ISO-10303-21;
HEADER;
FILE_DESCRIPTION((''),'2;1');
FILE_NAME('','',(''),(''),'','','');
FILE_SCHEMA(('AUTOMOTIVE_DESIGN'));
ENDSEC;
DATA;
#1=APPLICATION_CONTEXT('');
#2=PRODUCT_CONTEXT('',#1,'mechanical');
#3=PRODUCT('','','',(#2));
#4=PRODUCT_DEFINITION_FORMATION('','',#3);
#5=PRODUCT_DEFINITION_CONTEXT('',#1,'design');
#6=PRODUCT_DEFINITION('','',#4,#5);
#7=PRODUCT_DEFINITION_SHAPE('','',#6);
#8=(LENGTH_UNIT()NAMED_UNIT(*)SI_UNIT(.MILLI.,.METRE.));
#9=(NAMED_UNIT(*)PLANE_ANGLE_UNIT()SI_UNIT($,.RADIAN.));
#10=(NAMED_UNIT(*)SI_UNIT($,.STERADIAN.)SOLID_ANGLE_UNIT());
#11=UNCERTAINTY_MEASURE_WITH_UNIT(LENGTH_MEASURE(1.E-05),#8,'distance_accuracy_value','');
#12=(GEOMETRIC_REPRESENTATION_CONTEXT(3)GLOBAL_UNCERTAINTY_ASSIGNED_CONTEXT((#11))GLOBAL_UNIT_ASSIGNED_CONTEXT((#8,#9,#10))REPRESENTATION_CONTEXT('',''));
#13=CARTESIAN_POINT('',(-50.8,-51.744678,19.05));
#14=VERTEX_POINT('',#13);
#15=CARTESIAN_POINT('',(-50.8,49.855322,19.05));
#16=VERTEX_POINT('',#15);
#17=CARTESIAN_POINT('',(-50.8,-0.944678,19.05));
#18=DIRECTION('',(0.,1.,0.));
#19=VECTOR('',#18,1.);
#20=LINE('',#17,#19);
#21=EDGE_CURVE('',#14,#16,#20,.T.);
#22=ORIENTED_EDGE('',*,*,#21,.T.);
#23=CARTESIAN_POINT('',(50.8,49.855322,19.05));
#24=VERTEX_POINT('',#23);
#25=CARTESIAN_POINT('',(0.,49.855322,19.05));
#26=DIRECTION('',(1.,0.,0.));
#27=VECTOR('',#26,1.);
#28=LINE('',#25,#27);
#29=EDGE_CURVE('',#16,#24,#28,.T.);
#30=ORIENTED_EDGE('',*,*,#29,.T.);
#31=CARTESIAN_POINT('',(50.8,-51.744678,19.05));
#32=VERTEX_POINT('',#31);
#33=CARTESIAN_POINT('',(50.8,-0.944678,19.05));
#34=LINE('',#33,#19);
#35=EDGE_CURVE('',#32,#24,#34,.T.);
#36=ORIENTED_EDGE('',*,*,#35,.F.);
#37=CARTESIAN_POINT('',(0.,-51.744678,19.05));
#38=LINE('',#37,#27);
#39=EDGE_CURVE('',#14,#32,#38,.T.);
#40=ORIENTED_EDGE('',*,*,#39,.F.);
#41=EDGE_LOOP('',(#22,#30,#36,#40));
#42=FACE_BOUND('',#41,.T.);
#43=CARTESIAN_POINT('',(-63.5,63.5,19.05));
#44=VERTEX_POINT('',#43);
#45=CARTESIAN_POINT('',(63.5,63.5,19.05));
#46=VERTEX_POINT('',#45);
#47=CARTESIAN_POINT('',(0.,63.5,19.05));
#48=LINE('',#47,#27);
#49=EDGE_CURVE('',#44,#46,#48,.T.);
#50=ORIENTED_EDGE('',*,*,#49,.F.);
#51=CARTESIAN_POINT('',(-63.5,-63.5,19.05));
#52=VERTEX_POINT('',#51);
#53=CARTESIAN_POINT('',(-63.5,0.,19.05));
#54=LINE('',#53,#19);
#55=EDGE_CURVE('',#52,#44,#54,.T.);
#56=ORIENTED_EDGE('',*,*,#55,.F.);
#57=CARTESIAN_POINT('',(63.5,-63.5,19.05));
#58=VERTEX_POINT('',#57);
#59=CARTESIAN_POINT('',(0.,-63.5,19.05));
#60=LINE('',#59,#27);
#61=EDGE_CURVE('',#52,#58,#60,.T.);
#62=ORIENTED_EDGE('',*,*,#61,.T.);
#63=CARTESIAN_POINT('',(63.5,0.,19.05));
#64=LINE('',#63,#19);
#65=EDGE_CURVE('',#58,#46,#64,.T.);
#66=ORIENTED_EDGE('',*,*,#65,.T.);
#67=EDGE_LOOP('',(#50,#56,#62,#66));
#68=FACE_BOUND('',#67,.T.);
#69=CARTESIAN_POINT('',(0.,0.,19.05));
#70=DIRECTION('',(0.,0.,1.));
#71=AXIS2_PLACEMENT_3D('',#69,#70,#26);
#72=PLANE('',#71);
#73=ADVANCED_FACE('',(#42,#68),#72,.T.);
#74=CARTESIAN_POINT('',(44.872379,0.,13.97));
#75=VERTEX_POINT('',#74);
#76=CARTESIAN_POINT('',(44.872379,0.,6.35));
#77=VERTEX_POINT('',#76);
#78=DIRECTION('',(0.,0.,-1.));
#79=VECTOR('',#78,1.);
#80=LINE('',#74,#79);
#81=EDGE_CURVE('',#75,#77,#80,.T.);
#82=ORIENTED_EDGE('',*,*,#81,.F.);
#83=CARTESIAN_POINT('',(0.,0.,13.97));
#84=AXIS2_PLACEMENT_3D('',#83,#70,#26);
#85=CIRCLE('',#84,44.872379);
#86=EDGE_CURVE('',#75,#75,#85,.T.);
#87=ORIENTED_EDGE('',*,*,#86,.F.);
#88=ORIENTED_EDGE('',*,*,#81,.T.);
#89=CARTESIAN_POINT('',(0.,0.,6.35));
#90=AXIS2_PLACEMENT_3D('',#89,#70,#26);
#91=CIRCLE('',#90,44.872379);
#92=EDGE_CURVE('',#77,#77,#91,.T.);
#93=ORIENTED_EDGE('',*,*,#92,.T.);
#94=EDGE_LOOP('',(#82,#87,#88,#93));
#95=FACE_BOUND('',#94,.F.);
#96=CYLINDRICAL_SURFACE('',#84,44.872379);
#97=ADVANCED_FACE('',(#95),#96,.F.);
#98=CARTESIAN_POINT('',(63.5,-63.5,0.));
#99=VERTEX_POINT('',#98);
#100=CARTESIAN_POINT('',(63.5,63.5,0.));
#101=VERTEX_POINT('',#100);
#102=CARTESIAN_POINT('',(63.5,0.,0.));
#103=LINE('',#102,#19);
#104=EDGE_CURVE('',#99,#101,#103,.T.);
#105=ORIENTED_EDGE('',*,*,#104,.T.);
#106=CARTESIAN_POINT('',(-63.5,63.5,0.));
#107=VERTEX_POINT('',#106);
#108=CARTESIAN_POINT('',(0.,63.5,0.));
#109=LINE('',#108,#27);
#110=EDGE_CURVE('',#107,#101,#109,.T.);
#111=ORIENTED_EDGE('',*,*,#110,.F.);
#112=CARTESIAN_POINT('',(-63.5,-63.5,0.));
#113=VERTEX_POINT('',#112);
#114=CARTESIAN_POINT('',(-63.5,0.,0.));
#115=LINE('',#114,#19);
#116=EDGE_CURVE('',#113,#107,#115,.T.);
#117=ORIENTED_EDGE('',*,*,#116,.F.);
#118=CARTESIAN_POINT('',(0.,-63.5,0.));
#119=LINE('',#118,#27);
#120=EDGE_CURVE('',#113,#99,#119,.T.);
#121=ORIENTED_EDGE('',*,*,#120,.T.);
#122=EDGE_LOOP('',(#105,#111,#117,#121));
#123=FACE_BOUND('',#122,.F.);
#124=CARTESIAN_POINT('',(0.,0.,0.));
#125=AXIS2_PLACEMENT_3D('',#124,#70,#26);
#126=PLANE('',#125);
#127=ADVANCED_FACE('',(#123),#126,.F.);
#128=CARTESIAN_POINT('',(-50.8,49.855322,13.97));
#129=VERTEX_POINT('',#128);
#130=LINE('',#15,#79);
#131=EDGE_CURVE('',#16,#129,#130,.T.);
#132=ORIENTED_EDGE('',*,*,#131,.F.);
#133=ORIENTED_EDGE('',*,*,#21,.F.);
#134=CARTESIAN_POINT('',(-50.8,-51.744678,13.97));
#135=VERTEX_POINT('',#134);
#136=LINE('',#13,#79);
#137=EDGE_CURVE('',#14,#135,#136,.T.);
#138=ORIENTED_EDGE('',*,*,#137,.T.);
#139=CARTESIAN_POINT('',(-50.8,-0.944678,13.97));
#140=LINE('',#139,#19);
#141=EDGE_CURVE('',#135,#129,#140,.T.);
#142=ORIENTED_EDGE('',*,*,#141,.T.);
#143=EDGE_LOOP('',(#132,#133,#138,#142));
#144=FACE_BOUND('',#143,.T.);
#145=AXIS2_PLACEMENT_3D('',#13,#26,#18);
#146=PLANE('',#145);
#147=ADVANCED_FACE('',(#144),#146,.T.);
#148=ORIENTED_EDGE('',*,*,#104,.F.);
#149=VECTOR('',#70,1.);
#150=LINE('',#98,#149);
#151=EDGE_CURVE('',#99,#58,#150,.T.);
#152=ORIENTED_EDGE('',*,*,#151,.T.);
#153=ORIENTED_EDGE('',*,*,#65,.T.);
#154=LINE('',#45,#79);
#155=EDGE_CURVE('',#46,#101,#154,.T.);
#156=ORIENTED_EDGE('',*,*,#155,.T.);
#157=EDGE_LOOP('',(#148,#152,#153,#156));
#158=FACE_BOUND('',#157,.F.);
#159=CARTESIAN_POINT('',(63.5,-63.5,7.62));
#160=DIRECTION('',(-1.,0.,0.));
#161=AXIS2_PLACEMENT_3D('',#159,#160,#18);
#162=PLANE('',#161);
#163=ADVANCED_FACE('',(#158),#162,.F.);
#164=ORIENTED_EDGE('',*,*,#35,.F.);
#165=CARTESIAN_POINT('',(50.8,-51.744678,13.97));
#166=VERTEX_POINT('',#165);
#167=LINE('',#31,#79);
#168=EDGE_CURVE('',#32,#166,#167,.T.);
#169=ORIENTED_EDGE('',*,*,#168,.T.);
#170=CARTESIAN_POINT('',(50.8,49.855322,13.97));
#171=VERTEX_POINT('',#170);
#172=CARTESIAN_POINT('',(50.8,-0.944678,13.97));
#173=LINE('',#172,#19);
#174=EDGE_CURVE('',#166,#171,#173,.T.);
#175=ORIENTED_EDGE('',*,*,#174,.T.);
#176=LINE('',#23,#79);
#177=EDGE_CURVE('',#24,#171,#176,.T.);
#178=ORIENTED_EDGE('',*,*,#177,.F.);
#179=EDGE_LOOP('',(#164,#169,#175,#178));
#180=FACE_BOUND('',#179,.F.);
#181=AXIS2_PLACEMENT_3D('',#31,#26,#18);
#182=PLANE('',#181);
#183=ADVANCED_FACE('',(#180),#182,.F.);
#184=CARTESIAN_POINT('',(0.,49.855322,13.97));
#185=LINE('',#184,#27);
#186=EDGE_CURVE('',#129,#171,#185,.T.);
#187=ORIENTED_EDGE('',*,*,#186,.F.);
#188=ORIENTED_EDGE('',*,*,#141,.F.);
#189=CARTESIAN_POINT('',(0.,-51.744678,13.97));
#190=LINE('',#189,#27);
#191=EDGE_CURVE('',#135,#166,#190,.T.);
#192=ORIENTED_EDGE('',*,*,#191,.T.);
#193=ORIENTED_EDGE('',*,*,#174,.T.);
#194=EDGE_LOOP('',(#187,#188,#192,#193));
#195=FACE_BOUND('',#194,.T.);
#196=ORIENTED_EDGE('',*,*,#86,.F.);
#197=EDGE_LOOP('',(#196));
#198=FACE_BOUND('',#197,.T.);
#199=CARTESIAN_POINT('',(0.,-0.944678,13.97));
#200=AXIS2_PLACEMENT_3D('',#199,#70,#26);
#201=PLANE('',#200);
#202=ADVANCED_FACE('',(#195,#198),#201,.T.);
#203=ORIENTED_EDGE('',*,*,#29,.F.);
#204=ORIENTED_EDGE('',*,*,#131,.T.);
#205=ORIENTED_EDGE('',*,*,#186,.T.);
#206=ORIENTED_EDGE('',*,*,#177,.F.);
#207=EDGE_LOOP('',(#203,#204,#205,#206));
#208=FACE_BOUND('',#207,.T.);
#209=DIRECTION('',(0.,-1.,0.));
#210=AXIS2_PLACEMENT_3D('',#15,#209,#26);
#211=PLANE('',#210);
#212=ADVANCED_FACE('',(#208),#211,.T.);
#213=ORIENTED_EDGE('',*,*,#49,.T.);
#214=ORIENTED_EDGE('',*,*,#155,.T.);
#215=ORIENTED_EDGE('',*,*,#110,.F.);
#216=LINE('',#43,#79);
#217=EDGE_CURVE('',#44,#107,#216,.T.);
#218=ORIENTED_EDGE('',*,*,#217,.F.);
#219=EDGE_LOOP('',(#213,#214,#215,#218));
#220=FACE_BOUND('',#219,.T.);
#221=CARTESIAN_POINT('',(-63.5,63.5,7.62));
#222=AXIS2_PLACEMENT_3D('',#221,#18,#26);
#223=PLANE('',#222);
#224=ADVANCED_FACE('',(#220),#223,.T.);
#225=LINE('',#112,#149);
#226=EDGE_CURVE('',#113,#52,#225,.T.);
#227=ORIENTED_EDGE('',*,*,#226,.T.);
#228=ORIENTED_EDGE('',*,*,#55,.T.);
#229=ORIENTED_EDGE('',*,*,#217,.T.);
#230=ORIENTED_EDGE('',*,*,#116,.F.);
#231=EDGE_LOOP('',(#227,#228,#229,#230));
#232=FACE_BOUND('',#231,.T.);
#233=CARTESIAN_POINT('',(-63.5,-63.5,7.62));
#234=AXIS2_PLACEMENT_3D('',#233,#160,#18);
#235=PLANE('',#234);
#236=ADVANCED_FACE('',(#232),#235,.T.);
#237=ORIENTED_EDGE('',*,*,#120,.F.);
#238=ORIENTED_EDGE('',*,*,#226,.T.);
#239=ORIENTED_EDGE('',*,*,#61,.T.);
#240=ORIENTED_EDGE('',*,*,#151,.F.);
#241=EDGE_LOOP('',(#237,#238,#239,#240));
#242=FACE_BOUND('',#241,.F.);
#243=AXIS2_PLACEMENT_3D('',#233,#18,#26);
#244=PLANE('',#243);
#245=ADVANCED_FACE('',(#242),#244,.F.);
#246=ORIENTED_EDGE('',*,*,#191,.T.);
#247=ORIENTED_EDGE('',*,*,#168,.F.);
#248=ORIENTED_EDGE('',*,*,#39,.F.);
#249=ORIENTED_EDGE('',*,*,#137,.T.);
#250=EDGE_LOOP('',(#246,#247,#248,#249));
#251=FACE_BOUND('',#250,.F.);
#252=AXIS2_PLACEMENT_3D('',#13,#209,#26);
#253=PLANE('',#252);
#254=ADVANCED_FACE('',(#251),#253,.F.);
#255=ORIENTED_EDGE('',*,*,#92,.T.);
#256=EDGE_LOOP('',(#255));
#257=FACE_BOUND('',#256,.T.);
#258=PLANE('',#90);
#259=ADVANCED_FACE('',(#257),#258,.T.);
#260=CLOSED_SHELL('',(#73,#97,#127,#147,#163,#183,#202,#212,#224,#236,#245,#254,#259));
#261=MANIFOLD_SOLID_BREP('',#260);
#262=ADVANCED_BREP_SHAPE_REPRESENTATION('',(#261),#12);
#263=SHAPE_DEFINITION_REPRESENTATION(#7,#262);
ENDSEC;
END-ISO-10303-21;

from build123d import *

# Parameters (mm, degrees)
F0_W     = 127
F0_H     = 127
F1_DEPTH = 7.62
F2_W     = 127
F2_H     = 127
F3_DEPTH = 11.43
F4_W     = 101.6
F4_H     = 101.6
F5_DEPTH = 5.08
F6_R     = 44.872379
F7_DEPTH = 7.62


with BuildPart() as f1:
    # F0 (on Top) → F1 (new body)
    with BuildSketch(Plane.XY):
        Rectangle(F0_W, F0_H)
    extrude(amount=F1_DEPTH)

    # F2 (on face) → F3 (join)
    with BuildSketch(Plane.XY.offset(7.62)):
        Rectangle(F2_W, F2_H)
    extrude(amount=F3_DEPTH)

    # F4 (on face) → F5 (cut)
    with BuildSketch(Plane.XY.offset(19.05)):
        with Locations((0, -0.944678)):
            Rectangle(F4_W, F4_H)
    extrude(amount=-F5_DEPTH, mode=Mode.SUBTRACT)

    # F6 (on face) → F7 (cut)
    with BuildSketch(Plane.XY.offset(13.97)):
        Circle(F6_R)
    extrude(amount=-F7_DEPTH, mode=Mode.SUBTRACT)


solid = f1.part
